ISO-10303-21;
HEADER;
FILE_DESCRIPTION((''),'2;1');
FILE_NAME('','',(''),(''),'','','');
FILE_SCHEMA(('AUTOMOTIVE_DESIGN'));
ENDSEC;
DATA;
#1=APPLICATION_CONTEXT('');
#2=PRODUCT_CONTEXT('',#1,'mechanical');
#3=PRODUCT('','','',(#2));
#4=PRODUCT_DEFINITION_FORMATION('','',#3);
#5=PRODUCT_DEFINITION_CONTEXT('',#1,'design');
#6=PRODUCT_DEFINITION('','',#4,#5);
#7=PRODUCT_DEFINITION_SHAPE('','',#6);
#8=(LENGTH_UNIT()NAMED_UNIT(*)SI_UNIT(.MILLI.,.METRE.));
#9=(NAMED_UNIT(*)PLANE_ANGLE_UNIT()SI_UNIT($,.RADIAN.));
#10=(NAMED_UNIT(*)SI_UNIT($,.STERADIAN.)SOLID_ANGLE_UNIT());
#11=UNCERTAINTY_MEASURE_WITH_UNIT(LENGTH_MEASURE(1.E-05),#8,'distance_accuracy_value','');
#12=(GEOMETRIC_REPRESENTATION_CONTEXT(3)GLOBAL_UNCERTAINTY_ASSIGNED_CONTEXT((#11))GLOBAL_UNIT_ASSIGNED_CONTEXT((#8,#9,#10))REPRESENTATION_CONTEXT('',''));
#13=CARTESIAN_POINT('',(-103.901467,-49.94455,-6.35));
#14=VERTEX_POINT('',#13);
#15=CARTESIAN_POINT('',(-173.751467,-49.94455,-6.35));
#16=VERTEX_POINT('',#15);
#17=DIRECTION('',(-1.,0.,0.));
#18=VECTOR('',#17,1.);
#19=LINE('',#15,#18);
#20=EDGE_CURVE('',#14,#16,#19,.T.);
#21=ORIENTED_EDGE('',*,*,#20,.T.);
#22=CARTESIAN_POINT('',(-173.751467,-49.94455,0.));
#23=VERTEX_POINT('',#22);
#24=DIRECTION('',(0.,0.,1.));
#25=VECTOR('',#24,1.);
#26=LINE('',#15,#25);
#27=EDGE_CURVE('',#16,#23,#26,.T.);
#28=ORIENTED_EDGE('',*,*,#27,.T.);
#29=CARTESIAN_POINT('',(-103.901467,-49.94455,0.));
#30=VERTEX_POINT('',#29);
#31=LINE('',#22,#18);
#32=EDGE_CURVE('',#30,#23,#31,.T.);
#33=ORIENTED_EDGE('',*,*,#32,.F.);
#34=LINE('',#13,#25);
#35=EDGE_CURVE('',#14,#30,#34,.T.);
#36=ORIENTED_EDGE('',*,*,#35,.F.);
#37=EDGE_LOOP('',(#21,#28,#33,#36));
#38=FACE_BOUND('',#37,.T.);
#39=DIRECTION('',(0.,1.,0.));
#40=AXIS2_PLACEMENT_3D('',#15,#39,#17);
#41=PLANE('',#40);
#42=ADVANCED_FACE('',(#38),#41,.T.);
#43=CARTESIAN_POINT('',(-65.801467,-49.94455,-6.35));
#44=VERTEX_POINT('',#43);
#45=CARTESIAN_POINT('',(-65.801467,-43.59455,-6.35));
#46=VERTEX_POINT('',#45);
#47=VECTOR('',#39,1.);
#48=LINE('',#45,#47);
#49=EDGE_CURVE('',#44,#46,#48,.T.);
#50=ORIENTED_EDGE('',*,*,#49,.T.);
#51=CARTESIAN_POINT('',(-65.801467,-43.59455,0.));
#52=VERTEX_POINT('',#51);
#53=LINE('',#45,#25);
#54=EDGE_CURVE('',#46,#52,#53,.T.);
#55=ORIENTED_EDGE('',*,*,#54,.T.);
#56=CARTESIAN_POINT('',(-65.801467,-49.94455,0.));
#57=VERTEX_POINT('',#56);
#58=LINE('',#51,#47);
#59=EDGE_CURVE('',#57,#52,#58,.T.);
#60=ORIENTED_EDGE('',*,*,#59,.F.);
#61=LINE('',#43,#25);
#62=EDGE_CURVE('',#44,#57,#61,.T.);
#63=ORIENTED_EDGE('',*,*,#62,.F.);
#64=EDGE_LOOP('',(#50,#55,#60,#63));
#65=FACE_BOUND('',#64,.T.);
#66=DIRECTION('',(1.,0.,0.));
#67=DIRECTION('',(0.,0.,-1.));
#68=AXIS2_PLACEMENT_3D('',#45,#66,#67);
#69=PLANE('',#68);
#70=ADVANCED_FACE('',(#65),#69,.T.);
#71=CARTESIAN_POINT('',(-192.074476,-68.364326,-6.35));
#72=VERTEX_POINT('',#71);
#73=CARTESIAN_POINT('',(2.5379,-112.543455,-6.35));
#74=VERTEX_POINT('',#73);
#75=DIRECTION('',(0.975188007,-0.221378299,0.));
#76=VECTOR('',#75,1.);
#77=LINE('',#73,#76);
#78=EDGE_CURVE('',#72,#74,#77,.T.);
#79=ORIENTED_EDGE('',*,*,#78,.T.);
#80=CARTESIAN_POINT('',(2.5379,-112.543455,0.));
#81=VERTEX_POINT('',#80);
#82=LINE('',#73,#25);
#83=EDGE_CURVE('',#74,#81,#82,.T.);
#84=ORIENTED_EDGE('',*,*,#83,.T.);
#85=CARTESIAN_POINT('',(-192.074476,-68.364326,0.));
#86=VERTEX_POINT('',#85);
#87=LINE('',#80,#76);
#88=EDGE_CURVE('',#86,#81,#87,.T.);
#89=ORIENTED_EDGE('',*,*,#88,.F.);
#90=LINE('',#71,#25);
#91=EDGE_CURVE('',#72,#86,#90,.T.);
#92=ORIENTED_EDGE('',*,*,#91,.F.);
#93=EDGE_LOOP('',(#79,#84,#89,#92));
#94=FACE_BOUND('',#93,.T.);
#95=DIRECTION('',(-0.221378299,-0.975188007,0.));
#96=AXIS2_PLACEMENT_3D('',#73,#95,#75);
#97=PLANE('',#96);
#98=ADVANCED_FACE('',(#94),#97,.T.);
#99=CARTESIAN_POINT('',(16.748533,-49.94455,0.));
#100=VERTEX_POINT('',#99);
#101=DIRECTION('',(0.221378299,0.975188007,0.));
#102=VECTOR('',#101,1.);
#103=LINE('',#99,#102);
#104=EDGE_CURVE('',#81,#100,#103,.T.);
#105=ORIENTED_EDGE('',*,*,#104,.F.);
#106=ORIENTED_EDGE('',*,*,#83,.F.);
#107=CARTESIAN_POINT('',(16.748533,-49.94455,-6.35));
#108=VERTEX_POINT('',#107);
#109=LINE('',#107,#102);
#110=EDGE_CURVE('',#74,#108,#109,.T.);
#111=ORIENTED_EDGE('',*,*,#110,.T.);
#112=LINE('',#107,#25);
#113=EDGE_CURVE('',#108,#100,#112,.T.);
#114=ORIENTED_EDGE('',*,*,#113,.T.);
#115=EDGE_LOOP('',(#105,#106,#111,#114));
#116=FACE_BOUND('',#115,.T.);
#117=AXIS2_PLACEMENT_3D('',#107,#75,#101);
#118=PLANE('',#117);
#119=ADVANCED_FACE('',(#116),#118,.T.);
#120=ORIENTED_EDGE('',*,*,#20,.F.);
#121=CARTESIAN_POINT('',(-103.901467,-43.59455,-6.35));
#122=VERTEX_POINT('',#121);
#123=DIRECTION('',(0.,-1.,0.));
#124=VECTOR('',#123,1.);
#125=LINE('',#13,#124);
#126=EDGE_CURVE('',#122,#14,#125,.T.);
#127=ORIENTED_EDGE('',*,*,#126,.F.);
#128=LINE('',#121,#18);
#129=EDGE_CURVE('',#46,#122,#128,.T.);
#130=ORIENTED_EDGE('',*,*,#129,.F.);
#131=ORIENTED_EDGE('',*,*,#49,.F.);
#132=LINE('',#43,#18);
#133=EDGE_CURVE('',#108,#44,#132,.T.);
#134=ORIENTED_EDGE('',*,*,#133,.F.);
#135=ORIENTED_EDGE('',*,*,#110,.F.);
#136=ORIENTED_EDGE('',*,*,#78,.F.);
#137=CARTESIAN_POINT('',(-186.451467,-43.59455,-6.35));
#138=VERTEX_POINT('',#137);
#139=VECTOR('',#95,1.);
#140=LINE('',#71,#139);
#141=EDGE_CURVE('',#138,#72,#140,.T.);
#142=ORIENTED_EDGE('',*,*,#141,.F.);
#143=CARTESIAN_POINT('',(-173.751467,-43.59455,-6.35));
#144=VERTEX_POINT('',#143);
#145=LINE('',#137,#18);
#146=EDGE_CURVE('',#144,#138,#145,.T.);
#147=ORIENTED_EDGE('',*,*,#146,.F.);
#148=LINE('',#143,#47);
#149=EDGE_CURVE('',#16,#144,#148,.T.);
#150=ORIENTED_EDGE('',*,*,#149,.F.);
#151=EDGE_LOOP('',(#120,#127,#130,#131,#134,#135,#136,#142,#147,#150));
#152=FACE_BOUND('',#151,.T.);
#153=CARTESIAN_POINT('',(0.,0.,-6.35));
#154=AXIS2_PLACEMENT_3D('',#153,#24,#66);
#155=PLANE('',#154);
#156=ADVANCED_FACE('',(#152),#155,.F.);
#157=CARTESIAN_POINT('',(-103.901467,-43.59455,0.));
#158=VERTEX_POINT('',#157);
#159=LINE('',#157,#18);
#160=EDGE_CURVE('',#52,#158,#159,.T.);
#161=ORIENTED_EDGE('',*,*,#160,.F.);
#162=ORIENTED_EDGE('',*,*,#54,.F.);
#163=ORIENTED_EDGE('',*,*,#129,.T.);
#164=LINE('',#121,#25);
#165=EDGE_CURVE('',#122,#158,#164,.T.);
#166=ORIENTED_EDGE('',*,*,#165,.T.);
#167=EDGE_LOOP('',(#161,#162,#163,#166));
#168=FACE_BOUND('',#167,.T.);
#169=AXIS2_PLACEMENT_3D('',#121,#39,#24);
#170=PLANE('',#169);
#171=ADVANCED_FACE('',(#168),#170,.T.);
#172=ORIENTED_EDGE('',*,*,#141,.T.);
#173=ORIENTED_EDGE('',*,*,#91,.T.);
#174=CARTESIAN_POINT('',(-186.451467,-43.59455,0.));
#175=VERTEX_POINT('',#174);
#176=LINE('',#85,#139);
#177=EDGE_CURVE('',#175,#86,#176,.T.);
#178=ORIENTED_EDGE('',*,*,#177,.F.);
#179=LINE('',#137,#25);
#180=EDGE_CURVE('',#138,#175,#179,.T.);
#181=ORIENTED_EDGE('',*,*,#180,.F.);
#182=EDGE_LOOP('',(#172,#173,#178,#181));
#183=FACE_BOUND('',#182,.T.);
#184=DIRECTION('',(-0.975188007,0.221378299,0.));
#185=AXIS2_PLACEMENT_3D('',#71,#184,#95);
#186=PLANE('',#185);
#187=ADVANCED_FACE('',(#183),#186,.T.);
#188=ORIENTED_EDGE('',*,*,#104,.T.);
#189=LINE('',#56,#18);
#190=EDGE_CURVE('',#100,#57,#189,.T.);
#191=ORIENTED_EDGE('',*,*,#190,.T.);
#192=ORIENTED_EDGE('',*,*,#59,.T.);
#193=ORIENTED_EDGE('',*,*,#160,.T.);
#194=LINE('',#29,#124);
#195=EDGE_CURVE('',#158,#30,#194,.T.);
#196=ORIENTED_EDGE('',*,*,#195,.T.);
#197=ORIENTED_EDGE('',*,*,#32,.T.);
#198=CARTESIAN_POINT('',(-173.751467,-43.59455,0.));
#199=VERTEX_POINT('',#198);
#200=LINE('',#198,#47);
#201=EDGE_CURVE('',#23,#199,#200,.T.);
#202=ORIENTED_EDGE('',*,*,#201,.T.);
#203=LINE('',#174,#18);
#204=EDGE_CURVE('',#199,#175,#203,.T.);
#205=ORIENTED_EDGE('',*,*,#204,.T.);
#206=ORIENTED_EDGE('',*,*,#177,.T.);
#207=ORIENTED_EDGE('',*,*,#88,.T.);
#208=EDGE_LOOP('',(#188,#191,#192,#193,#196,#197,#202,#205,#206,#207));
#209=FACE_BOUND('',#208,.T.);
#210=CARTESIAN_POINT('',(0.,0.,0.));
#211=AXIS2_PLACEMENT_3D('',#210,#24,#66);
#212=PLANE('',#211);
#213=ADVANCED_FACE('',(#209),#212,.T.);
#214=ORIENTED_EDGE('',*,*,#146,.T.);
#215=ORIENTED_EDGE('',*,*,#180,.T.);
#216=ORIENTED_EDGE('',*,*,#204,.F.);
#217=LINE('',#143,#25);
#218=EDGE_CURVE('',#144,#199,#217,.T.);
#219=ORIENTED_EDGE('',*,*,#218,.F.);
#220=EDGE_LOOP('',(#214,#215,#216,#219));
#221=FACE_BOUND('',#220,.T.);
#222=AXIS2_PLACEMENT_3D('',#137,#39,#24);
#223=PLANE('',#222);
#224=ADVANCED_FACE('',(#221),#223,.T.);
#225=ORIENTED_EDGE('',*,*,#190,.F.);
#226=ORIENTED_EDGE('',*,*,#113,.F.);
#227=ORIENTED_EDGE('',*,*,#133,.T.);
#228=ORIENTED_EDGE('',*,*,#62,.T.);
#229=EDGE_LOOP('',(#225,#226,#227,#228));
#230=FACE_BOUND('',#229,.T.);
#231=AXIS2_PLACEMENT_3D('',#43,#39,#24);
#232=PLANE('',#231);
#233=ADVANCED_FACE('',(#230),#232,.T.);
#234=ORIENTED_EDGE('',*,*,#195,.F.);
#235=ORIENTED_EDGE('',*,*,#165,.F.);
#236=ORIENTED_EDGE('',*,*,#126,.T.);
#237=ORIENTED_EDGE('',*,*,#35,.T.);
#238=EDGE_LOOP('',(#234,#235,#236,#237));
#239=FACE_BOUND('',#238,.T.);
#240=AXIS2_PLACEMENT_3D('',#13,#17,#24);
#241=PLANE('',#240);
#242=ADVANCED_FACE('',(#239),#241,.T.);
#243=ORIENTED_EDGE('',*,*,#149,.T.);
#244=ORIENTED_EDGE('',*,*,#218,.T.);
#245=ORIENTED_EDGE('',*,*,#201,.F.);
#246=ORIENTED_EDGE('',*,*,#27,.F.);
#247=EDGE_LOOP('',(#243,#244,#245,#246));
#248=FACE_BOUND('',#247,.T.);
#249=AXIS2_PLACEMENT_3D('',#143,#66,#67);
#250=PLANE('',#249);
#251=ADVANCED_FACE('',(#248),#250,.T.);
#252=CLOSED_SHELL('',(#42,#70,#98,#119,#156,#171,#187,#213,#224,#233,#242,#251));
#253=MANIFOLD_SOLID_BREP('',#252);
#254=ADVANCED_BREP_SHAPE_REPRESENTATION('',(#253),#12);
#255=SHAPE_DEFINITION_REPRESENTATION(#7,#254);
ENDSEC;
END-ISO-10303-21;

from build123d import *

# Parameters (mm, degrees)
BOSS_EXTRUDE1_DEPTH = 6.35


with BuildPart() as part:
    # Sketch1 → Boss-Extrude1 (new body)
    with BuildSketch(Plane.XY):
        Polygon((-186.45146695, -43.594550399), (-173.75146695, -43.594550399), (-173.75146695, -49.944550399), (-103.90146695, -49.944550399), (-103.90146695, -43.594550399), (-65.80146695, -43.594550399), (-65.80146695, -49.944550399), (16.74853305, -49.944550399), (2.537900009, -112.543454638), (-192.074475734, -68.364325776), align=None)
    extrude(amount=-BOSS_EXTRUDE1_DEPTH)


solid = part.part
